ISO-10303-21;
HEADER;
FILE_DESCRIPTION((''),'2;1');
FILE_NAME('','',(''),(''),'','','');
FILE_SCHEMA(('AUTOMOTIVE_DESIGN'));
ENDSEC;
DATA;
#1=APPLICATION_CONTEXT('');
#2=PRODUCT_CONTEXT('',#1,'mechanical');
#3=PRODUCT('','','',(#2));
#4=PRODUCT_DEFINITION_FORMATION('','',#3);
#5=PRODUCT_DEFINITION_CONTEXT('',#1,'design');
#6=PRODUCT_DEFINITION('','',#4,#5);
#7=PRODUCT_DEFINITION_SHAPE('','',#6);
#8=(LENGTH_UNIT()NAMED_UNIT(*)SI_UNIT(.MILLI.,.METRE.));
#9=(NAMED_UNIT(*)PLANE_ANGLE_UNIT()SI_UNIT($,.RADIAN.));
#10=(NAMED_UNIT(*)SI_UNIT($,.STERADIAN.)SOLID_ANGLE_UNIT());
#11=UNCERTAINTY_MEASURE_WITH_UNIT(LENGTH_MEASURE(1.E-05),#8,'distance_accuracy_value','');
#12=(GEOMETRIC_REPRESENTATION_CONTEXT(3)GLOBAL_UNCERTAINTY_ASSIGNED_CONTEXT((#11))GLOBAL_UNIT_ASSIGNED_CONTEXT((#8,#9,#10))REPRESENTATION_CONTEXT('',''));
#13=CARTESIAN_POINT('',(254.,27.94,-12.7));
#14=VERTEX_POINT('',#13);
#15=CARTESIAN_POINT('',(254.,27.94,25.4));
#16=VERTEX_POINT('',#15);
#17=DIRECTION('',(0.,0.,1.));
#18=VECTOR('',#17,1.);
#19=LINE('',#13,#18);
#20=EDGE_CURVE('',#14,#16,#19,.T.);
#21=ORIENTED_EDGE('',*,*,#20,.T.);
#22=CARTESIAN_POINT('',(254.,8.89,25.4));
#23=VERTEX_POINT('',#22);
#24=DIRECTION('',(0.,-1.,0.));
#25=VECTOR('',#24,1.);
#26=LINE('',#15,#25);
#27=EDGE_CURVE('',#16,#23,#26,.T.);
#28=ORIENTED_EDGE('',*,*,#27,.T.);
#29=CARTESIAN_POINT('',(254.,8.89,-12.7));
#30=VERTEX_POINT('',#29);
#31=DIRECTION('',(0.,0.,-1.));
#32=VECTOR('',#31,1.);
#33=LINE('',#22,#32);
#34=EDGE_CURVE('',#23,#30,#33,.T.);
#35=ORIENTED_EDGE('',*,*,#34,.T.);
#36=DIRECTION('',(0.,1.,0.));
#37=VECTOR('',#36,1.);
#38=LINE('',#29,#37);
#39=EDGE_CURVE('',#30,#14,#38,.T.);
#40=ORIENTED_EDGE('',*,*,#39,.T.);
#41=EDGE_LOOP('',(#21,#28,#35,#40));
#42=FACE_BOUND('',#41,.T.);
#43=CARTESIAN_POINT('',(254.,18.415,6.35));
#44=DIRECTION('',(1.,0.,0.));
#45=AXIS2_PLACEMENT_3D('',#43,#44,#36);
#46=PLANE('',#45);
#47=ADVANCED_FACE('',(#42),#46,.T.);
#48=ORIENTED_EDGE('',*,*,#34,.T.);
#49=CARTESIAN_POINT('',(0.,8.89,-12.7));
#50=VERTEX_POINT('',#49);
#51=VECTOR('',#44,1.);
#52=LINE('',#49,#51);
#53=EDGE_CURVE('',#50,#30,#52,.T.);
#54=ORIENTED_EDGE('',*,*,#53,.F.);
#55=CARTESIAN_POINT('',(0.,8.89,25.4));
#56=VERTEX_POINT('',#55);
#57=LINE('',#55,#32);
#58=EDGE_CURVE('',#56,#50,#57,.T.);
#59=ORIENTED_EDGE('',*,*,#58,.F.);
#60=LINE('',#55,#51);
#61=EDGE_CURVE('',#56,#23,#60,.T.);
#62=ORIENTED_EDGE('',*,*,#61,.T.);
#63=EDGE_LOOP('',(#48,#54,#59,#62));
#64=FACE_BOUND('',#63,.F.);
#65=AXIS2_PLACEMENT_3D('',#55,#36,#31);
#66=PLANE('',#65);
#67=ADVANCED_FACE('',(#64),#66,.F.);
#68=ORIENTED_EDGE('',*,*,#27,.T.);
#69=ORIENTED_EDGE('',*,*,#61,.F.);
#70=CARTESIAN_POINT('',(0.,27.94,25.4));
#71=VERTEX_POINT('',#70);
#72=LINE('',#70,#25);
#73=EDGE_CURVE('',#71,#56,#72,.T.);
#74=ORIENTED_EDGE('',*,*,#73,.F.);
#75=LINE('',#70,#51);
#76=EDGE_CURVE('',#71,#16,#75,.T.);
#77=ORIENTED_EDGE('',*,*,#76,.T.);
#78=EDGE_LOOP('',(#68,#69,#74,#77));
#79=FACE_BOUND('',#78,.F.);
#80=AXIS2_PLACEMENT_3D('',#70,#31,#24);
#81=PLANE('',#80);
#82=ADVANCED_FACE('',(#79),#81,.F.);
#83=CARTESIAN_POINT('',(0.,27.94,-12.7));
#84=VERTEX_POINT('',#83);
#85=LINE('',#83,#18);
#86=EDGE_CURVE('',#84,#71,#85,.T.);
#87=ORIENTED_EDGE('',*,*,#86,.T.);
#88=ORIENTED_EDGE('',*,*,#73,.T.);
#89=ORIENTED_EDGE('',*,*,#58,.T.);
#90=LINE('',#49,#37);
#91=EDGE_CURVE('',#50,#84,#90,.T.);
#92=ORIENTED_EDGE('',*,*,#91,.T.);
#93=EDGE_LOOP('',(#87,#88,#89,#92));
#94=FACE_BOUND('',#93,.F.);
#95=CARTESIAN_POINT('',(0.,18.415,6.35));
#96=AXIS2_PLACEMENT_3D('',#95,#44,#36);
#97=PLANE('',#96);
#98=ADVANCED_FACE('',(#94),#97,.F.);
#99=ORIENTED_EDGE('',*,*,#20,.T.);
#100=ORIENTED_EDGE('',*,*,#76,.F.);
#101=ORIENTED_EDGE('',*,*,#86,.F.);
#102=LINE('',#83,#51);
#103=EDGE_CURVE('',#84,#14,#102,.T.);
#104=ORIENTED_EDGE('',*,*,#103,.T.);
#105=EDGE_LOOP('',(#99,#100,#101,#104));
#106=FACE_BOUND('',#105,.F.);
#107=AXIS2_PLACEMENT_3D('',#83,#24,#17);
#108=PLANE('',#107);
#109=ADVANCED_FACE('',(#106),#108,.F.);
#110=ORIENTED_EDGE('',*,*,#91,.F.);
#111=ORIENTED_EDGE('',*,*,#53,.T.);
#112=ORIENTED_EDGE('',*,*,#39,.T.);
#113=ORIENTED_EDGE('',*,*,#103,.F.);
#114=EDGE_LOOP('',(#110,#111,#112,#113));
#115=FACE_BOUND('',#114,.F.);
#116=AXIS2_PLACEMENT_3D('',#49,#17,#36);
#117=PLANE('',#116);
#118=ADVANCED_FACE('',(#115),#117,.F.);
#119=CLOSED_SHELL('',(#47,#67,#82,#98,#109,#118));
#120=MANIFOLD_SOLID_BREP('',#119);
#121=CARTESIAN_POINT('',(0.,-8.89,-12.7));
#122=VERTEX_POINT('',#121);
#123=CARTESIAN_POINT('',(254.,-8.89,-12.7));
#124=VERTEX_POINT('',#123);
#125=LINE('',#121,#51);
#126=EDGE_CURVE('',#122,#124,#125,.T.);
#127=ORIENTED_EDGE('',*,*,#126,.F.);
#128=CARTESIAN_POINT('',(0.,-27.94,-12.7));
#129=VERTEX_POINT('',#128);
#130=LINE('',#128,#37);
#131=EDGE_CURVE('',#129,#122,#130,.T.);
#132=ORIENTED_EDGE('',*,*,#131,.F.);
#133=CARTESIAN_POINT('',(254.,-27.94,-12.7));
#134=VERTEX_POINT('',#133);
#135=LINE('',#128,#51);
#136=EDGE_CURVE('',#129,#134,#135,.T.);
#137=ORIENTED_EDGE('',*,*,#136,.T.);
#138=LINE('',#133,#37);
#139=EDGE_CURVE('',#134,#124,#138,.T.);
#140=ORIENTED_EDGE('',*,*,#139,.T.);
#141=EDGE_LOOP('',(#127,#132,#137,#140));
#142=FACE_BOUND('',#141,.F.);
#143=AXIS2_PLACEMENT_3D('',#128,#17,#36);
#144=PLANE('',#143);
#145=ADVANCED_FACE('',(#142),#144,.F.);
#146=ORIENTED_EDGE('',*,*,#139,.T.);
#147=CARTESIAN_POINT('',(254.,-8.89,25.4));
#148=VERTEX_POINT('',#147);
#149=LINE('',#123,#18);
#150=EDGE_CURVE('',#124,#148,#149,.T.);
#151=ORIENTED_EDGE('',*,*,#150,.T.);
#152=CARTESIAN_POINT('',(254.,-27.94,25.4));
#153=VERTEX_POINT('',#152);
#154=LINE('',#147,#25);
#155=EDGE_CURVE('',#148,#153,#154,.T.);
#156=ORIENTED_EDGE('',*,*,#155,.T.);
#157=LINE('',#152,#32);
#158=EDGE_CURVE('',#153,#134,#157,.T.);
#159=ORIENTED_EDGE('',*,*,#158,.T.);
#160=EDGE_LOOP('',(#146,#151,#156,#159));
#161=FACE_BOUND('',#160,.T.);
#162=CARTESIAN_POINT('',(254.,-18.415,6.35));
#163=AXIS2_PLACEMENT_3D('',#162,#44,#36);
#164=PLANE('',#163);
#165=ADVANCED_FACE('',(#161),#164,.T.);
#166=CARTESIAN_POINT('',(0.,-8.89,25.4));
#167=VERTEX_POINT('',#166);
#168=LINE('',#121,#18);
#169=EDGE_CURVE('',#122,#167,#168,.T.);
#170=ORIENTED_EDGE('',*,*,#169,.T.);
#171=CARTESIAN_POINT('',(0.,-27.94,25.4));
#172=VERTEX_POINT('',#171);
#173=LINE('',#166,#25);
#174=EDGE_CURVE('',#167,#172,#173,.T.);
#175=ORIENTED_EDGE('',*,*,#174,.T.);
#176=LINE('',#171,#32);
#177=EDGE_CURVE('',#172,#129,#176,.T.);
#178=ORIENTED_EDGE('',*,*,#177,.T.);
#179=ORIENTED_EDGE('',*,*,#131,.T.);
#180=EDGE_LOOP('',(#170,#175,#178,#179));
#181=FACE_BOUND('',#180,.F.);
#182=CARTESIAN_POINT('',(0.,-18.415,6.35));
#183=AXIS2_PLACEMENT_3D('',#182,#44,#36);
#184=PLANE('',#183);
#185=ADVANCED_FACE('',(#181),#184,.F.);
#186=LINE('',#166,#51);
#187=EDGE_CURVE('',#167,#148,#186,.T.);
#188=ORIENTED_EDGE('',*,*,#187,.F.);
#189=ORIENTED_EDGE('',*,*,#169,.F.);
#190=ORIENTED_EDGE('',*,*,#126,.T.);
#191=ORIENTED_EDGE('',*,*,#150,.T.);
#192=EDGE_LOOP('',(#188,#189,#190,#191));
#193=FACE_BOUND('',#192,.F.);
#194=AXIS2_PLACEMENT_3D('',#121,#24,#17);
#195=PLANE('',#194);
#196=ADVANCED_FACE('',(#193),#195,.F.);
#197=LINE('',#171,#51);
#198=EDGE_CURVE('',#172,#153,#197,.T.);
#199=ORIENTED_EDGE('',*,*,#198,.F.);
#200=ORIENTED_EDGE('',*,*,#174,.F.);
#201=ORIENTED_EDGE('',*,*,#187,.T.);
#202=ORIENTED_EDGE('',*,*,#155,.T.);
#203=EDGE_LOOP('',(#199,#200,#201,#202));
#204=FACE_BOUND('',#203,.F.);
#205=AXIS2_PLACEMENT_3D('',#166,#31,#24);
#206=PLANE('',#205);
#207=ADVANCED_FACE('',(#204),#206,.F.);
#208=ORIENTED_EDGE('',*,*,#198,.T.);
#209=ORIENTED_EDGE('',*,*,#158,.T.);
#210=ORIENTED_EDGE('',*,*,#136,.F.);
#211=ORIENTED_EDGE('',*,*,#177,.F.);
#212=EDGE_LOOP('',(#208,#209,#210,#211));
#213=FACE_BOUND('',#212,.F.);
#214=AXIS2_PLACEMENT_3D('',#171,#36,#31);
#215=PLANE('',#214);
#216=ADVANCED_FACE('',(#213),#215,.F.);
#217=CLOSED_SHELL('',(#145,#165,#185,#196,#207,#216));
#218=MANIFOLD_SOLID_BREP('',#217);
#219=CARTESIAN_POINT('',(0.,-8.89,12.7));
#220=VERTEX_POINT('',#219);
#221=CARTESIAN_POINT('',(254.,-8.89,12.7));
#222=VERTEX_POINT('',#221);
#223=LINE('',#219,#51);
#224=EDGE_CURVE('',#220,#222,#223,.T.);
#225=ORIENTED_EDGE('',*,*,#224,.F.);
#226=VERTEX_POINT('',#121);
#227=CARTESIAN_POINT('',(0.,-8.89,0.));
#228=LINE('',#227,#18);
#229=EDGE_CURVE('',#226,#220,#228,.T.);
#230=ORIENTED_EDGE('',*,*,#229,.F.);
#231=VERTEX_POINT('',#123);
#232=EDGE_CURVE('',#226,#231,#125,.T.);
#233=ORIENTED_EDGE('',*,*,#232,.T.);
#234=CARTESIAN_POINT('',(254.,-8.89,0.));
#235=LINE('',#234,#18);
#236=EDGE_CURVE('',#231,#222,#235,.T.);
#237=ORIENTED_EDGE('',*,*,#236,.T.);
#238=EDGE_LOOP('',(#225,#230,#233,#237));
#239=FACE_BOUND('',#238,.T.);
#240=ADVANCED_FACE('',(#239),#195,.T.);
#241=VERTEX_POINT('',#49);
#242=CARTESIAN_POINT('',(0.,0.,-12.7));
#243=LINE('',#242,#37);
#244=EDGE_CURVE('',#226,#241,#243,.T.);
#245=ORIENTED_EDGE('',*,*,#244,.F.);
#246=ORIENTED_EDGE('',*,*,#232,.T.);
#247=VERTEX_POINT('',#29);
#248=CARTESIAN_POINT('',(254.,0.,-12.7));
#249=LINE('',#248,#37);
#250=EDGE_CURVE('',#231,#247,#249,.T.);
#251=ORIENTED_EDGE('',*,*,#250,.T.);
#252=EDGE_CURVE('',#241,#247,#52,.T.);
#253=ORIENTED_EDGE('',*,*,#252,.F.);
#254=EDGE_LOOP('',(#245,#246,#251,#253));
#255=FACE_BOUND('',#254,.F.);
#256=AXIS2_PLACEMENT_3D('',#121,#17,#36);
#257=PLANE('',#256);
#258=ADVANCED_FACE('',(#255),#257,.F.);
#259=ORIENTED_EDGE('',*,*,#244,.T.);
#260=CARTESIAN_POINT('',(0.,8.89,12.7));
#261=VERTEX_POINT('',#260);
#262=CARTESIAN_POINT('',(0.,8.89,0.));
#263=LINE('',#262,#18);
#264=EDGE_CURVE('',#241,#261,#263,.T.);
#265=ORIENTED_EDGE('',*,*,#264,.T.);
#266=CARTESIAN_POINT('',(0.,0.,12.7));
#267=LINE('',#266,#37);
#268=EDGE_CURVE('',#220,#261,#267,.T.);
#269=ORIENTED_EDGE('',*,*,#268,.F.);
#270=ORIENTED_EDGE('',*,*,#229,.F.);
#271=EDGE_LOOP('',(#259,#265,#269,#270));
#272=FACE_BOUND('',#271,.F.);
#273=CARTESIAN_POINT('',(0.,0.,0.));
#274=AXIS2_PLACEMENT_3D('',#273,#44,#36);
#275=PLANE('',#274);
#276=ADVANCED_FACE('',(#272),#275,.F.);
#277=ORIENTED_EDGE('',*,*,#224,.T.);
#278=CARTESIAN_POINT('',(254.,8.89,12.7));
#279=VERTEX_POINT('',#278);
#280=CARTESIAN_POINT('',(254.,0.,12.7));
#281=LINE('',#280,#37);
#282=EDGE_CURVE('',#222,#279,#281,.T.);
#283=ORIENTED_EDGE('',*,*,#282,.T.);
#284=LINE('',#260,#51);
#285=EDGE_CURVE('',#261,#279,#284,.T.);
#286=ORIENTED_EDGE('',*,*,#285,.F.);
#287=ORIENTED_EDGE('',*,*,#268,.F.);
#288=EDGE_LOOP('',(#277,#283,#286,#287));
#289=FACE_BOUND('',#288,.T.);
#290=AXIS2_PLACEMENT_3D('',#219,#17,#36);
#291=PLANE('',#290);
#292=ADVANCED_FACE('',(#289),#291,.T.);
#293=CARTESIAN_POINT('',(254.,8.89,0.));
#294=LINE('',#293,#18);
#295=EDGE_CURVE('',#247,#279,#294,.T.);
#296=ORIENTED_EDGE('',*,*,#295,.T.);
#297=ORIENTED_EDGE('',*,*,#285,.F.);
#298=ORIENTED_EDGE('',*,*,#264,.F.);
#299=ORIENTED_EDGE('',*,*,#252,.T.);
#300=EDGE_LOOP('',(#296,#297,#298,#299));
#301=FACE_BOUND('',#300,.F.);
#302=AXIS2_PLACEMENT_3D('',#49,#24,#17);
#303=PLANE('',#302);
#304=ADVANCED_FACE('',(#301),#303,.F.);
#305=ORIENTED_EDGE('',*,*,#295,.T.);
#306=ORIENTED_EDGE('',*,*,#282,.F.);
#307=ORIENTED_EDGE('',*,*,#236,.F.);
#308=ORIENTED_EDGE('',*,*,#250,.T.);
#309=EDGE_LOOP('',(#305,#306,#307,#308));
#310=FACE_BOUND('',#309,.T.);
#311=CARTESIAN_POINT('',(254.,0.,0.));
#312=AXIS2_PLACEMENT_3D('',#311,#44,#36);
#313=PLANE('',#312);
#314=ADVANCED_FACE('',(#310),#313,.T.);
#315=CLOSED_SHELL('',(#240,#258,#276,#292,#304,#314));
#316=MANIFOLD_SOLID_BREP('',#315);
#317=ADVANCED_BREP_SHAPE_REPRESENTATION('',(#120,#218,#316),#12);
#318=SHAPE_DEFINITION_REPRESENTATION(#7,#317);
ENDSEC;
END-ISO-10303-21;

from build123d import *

# Parameters (mm, degrees)
F0_W     = 17.78
F0_H     = 25.4
F1_DEPTH = 254
F2_DEPTH = 254


with BuildPart() as f1:
    # F0 (on Right) → F1 (new body)
    with BuildSketch(Plane.YZ):
        Rectangle(F0_W, F0_H)
    extrude(amount=F1_DEPTH)


with BuildPart() as f2:
    # F0 (on Right) → F2 (new body)
    with BuildSketch(Plane.YZ):
        Polygon((-27.94, -12.7), (-8.89, -12.7), (-8.89, 12.7), (-8.89, 25.4), (-27.94, 25.4), align=None)
        Polygon((8.89, 12.7), (8.89, -12.7), (27.94, -12.7), (27.94, 25.4), (8.89, 25.4), align=None)
    extrude(amount=F2_DEPTH)


solid = Compound([f1.part, f2.part])
